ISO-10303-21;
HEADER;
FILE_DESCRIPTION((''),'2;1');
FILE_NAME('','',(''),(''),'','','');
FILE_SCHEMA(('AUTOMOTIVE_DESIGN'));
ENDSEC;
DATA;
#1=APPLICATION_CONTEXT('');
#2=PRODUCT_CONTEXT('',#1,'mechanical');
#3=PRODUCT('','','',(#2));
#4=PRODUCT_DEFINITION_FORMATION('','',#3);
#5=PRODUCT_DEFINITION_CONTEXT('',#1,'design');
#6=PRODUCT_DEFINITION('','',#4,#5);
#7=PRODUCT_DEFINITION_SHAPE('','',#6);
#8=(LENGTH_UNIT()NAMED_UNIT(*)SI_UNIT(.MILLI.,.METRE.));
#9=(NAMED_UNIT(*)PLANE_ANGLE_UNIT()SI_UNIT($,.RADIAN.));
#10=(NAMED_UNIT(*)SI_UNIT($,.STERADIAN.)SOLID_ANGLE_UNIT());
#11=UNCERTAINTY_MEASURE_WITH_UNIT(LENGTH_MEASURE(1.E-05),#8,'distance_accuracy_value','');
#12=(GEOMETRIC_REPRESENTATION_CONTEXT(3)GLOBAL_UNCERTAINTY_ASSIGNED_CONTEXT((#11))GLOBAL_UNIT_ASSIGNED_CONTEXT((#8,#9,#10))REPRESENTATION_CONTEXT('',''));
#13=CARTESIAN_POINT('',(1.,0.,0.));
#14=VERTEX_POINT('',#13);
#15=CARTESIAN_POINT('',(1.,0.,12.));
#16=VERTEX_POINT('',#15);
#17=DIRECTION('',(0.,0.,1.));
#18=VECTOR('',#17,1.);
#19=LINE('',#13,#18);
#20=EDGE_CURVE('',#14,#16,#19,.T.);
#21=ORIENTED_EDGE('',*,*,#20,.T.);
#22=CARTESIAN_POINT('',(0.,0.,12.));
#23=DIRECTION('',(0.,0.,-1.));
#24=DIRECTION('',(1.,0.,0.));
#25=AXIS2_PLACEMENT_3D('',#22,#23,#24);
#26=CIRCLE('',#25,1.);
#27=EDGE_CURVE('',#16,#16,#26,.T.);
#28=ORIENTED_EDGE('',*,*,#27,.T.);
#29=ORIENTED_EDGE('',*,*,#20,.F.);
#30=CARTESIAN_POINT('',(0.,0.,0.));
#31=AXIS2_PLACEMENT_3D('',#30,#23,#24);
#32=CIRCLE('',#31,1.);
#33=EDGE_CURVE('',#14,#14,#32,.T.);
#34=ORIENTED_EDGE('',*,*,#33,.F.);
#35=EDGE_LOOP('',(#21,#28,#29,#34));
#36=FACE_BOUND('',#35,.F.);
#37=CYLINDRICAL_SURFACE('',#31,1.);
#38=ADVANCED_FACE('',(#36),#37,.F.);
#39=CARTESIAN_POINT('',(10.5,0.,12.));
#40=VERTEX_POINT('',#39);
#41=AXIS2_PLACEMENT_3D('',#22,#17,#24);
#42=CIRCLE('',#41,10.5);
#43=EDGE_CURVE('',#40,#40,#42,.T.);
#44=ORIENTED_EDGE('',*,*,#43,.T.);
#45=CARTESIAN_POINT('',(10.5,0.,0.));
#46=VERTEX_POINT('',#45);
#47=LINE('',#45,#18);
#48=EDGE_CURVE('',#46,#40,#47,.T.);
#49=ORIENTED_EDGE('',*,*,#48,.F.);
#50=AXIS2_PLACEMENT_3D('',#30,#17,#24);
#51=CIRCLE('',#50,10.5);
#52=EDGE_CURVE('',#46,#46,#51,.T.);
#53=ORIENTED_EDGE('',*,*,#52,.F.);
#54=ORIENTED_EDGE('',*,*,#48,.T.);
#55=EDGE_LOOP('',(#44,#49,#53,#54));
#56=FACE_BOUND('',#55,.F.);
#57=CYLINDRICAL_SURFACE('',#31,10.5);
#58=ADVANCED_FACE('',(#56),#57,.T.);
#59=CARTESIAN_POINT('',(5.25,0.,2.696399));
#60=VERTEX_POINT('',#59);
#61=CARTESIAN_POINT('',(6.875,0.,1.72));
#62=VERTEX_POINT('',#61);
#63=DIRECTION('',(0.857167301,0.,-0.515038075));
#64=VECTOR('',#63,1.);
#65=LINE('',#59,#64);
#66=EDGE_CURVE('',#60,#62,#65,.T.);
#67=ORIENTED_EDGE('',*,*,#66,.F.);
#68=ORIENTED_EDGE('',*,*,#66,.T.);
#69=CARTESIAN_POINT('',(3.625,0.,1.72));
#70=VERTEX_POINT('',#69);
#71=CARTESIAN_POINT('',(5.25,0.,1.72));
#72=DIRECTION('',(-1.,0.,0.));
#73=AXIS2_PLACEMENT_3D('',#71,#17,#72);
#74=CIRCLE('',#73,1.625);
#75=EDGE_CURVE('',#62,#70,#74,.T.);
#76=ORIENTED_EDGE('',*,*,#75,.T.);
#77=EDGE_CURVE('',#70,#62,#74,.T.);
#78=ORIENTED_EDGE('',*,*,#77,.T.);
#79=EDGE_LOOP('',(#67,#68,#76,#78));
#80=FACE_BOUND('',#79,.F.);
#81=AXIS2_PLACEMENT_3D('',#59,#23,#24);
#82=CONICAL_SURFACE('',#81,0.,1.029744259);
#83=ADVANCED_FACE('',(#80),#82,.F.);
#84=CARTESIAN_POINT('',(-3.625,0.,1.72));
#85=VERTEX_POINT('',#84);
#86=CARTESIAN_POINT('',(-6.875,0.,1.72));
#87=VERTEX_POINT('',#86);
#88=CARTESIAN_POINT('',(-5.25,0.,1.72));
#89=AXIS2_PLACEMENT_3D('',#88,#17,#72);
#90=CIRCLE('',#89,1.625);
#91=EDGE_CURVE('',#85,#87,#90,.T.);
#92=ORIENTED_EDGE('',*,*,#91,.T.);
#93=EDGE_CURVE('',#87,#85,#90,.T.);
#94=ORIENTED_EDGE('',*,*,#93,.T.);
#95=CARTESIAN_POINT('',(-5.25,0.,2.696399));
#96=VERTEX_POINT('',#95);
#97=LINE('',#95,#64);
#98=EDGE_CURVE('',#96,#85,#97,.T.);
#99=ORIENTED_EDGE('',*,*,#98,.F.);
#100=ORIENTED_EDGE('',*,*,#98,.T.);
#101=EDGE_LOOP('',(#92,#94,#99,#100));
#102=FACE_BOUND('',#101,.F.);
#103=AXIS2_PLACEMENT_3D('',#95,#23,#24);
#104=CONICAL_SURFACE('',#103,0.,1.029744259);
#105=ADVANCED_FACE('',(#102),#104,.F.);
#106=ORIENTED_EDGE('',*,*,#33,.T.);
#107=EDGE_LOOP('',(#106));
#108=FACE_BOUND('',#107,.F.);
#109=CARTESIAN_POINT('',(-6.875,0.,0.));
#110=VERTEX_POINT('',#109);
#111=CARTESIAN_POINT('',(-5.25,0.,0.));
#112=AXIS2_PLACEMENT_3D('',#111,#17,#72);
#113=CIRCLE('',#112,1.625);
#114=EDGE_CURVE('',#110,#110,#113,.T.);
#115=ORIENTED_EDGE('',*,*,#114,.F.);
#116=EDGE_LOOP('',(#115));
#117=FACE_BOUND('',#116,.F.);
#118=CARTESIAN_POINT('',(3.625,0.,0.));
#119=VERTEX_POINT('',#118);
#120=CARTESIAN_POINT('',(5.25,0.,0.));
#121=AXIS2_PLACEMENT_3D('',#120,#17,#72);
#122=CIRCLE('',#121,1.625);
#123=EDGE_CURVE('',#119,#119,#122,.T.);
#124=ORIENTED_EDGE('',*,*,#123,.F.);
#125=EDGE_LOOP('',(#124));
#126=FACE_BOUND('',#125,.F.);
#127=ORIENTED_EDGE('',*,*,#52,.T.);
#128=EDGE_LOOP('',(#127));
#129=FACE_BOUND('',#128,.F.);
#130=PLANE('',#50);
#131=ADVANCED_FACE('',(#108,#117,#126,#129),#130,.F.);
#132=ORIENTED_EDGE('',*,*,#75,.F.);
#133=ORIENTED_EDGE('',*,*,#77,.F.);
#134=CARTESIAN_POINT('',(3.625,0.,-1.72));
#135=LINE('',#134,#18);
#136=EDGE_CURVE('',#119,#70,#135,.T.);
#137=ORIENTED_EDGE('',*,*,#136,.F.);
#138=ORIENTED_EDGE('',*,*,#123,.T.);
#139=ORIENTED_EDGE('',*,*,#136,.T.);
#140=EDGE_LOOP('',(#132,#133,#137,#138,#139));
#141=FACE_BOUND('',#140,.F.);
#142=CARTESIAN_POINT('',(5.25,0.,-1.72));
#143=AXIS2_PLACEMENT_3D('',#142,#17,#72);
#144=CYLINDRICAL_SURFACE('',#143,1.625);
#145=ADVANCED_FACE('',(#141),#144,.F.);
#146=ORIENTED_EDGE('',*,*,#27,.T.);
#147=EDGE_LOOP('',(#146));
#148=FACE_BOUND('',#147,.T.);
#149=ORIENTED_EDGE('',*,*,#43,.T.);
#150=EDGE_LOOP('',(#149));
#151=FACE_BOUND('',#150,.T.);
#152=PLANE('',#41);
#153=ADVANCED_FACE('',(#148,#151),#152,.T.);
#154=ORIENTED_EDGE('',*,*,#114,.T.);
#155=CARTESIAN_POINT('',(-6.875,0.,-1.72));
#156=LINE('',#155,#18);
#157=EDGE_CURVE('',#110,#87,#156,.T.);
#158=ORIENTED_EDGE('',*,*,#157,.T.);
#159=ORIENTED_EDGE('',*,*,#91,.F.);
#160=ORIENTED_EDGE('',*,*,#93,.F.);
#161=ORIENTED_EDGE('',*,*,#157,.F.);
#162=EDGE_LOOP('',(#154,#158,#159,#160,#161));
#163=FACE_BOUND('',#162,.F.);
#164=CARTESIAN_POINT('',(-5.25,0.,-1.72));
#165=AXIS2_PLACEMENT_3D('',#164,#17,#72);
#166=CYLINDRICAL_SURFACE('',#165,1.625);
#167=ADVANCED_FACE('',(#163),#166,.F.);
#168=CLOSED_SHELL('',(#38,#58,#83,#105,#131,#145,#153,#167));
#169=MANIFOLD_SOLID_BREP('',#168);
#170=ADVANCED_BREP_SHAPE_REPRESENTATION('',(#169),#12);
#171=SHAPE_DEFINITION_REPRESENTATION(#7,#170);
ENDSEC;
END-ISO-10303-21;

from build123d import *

# Parameters (mm, degrees)
F0_R     = 10.5
F0_R_2   = 1.625
F1_DEPTH = 12
F2_D     = 3.25
F2_DEPTH = 1.72
F2_TIP   = 0.9763985059


with BuildPart() as f1:
    # F0 (on Top) → F1 (new body)
    with BuildSketch(Plane.XY):
        Circle(F0_R)
        with Locations((-5.25, 0)):
            Circle(F0_R_2, mode=Mode.SUBTRACT)
        with BuildLine():
            ThreePointArc((-1, 0), (0, 1), (1, 0))
            ThreePointArc((1, 0), (0, -1), (-1, 0))
        make_face(mode=Mode.SUBTRACT)
        with BuildLine():
            ThreePointArc((6.875, 0), (5.25, -1.625), (3.625, 0))
            ThreePointArc((3.625, 0), (5.25, 1.625), (6.875, 0))
        make_face(mode=Mode.SUBTRACT)
        with Locations((-5.25, 0)):
            Circle(F0_R_2)
        with BuildLine():
            ThreePointArc((6.875, 0), (5.25, 1.625), (3.625, 0))
            ThreePointArc((3.625, 0), (5.25, -1.625), (6.875, 0))
        make_face()
    extrude(amount=F1_DEPTH)

    # F2
    with Locations(Plane(origin=(0, 0, 0), x_dir=(1, 0, 0), z_dir=(0, 0, -1))):
        with Locations((-5.25, 0), (5.25, 0)):
            Hole(F2_D / 2, depth=F2_DEPTH)
            with Locations((0, 0, -(F2_DEPTH + F2_TIP / 2))):  # 118° drill point
                Cone(0, F2_D / 2, F2_TIP, mode=Mode.SUBTRACT)


solid = f1.part
